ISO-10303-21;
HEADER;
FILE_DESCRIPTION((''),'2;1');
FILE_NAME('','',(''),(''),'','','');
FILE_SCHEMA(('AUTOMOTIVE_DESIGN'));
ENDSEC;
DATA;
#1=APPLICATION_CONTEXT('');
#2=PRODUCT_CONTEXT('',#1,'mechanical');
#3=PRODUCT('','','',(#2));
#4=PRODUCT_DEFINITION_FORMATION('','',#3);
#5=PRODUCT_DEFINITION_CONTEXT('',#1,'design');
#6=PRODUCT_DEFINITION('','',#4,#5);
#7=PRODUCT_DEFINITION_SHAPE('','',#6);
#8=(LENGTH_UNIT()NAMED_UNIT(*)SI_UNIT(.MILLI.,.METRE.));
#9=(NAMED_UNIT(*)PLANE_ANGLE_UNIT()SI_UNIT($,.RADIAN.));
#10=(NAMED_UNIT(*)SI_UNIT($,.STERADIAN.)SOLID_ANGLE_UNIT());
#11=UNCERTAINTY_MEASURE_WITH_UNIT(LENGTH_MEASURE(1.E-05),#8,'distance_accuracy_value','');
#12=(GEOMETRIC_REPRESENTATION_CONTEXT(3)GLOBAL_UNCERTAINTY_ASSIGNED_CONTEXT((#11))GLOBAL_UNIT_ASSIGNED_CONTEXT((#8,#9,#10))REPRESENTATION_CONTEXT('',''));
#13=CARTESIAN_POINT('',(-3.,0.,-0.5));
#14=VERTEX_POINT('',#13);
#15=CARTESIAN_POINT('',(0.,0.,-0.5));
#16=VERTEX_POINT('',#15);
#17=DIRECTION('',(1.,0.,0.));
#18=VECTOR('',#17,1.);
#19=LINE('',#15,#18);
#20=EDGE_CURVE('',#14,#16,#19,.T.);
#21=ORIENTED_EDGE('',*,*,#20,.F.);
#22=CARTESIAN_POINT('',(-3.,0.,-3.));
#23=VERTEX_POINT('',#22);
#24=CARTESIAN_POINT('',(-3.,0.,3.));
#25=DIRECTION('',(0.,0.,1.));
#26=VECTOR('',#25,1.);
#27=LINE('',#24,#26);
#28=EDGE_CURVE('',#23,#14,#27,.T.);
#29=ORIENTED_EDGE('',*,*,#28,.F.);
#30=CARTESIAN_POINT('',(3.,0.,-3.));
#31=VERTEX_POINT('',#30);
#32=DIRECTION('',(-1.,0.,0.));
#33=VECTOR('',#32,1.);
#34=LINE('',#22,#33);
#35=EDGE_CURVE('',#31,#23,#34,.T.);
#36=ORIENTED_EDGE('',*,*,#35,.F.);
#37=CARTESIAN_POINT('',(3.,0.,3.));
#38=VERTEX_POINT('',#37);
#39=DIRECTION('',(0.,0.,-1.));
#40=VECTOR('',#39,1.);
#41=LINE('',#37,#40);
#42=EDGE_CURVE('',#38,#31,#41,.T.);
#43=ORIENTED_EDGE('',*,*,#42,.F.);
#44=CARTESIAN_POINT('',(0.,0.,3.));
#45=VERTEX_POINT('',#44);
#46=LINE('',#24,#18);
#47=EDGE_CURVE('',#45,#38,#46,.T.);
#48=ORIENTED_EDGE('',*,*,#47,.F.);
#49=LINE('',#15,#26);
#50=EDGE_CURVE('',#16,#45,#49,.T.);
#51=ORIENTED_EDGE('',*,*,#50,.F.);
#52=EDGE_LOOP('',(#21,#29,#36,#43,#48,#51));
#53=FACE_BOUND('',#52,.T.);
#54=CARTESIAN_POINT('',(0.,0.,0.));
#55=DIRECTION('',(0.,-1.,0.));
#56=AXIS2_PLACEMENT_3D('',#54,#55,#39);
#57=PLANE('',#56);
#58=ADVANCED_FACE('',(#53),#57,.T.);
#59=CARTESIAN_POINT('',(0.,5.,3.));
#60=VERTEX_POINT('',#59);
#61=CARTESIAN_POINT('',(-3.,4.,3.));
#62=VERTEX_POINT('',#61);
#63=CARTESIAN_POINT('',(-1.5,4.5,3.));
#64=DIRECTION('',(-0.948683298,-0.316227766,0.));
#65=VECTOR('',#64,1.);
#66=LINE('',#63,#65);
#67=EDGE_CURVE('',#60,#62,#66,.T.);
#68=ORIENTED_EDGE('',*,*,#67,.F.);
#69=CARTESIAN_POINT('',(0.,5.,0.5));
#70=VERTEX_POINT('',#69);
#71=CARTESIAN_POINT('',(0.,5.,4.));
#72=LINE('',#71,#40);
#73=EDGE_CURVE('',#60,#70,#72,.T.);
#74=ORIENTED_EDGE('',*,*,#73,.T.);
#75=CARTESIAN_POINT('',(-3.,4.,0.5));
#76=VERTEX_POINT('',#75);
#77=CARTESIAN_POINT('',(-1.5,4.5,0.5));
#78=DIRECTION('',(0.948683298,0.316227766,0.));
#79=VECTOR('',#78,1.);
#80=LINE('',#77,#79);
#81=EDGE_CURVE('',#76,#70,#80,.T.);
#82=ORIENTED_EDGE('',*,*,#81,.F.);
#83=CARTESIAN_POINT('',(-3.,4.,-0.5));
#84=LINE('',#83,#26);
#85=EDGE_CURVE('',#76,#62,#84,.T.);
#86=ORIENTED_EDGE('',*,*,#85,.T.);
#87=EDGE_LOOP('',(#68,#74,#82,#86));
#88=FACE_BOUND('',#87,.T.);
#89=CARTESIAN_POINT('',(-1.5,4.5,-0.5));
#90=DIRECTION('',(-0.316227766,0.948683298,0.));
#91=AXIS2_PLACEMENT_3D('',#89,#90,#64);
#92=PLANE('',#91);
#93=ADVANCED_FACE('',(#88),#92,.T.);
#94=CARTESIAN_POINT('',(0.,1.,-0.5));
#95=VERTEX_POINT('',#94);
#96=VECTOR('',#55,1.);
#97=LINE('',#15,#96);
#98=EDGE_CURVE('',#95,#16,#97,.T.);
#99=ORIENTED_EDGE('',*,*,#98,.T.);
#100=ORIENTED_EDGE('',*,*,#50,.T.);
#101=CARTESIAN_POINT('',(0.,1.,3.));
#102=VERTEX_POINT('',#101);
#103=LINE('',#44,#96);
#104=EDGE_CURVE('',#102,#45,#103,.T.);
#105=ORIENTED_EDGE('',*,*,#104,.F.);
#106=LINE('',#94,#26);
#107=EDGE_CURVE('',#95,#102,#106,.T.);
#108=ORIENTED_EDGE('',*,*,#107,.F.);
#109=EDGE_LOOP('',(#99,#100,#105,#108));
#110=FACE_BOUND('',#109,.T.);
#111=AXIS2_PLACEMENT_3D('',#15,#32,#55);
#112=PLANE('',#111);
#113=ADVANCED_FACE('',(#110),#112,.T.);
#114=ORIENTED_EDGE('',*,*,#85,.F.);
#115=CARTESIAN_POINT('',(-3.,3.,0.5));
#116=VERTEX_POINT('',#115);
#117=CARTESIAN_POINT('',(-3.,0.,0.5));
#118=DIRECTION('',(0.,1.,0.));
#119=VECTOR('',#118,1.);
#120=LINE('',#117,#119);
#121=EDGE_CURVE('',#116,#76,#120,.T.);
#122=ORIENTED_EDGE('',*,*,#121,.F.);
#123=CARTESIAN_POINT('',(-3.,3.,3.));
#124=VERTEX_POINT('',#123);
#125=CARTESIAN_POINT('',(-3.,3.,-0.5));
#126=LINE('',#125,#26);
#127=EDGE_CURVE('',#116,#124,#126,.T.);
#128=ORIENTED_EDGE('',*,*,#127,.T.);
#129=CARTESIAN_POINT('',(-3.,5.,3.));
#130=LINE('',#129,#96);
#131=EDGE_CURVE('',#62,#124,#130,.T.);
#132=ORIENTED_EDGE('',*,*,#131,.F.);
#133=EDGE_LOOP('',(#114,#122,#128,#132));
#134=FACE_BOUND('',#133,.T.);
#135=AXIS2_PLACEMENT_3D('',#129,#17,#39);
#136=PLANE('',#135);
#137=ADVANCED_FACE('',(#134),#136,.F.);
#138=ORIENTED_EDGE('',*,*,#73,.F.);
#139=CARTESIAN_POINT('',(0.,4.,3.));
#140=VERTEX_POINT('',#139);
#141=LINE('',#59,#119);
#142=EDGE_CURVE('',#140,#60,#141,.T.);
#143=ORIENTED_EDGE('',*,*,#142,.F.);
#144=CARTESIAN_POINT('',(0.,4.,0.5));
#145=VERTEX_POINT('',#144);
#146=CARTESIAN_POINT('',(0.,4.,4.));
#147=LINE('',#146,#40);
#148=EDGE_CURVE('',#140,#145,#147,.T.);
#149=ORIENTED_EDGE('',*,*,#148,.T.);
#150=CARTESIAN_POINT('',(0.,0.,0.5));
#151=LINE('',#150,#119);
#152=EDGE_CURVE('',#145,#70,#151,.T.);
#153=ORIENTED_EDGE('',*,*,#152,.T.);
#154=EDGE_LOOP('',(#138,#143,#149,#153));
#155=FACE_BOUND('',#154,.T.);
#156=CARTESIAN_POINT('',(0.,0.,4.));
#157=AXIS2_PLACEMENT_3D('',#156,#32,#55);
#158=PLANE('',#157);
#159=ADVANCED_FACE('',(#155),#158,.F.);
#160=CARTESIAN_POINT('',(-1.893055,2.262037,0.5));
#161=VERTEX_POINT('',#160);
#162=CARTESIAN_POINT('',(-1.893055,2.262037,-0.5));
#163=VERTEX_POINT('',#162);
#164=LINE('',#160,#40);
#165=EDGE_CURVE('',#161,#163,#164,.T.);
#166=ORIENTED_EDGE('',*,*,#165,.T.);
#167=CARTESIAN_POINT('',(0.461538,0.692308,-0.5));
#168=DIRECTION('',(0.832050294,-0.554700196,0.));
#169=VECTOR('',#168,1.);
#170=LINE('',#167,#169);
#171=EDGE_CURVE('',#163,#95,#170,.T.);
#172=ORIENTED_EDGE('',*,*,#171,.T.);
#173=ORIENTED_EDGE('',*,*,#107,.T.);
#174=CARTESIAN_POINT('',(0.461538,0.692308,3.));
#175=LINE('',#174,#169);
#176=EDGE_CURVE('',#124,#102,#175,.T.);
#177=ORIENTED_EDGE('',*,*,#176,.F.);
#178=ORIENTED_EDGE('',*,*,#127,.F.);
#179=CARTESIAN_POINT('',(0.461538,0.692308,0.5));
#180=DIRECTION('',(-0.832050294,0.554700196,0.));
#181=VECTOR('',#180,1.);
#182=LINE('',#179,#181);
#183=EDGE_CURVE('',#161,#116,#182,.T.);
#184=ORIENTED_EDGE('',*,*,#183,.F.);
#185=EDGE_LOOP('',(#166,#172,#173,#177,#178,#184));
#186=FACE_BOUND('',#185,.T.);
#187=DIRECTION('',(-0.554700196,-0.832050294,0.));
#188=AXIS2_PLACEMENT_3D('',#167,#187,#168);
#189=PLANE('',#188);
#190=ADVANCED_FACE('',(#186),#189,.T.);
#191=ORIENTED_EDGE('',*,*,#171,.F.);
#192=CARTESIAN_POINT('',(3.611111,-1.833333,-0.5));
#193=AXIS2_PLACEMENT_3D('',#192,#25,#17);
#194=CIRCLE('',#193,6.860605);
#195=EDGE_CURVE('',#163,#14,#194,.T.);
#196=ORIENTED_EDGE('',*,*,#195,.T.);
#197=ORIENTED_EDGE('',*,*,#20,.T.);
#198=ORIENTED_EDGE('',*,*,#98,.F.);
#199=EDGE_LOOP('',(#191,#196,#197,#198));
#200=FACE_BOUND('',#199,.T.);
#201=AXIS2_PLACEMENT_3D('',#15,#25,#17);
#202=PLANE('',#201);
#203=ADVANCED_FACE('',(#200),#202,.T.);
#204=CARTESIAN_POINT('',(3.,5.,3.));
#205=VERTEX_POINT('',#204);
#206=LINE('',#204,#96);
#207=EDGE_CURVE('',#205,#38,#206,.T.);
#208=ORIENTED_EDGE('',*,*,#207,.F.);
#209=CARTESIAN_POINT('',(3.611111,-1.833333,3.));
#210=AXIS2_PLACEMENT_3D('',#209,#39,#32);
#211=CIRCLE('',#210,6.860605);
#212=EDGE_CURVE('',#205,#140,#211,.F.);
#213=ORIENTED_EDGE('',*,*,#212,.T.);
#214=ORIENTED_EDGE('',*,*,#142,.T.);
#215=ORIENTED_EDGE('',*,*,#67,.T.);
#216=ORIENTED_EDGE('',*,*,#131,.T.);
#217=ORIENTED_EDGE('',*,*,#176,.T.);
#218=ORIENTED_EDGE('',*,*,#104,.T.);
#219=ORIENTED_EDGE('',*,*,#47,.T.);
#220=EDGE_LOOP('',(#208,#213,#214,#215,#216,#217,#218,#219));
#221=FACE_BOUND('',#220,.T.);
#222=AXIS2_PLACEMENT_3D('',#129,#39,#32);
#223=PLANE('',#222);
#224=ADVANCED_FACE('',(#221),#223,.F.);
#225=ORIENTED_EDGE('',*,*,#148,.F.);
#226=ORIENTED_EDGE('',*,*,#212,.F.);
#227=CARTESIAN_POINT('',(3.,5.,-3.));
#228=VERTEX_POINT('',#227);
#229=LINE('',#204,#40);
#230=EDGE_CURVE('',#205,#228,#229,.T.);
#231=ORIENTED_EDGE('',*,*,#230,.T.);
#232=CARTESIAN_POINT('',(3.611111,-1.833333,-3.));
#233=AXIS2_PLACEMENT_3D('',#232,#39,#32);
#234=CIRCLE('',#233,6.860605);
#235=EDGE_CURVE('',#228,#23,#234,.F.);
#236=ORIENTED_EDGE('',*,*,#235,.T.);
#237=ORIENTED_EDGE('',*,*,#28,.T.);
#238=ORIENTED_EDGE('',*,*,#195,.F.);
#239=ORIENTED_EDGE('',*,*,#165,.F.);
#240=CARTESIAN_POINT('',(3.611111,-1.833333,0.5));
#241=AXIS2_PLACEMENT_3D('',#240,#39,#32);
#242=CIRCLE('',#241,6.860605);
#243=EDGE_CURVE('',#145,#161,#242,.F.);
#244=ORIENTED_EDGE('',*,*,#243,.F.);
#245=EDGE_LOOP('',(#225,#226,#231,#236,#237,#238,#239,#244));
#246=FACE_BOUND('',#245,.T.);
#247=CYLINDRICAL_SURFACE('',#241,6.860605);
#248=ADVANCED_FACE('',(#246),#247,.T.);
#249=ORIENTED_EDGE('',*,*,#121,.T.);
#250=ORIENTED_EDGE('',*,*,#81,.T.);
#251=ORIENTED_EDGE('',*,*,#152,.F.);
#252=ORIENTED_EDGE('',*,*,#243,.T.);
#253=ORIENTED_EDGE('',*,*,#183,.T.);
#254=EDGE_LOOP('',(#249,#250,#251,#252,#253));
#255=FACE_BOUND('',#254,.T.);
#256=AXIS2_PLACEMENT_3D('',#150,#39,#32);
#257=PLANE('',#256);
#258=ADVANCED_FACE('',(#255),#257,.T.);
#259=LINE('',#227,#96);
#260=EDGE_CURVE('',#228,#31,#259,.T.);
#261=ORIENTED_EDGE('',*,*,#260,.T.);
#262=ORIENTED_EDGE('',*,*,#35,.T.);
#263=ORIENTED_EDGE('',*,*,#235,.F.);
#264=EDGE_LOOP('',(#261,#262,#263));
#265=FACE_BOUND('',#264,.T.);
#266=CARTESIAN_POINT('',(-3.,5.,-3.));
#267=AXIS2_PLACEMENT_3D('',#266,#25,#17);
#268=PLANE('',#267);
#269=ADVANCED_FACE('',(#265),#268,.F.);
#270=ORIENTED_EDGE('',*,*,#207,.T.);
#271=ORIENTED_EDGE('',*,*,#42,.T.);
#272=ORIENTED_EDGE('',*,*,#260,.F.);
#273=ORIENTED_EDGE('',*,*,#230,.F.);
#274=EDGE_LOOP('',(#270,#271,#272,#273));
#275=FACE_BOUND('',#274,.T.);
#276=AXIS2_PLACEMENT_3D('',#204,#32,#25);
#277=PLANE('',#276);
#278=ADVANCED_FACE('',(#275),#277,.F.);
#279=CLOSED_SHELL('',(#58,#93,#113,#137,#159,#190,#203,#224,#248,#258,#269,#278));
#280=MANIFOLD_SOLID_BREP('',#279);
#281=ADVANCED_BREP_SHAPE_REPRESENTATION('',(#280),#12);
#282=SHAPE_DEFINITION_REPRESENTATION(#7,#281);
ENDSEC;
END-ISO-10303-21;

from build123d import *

# Parameters (mm, degrees)
SKETCH1_W           = 6
SKETCH1_H           = 6
BOSS_EXTRUDE1_DEPTH = 5
CUT_EXTRUDE12_DEPTH = 3.5
CUT_EXTRUDE13_DEPTH = 3.5
CUT_EXTRUDE14_DEPTH = 3.5


with BuildPart() as part:
    # Sketch1 → Boss-Extrude1 (new body)
    with BuildSketch(Plane(origin=(0, 0, 0), x_dir=(1, 0, 0), z_dir=(0, 1, 0))):
        Rectangle(SKETCH1_W, SKETCH1_H)
    extrude(amount=BOSS_EXTRUDE1_DEPTH)

    # Sketch13 → Cut-Extrude12 (cut)
    with BuildSketch(Plane(origin=(0, 0, -3), x_dir=(-1, 0, 0), z_dir=(0, 0, -1))):
        with BuildLine():
            ThreePointArc((-3, 5), (0.780941195, 3.437129434), (3, 0))
            Line((3, 0), (3, 5))
            Line((3, 5), (-3, 5))
        make_face()
    extrude(amount=-CUT_EXTRUDE12_DEPTH, mode=Mode.SUBTRACT)

    # Sketch14 → Cut-Extrude13 (cut)
    with BuildSketch(Plane(origin=(0, 0, 0.5), x_dir=(-1, 0, 0), z_dir=(0, 0, -1))):
        with BuildLine():
            ThreePointArc((-3, 5), (-1.441597312, 4.675208063), (0, 4))
            Line((0, 4), (0, 5))
            Line((0, 5), (-3, 5))
        make_face()
    extrude(amount=-CUT_EXTRUDE13_DEPTH, mode=Mode.SUBTRACT)

    # Sketch15 → Cut-Extrude14 (cut)
    with BuildSketch(Plane.XY.offset(3)):
        Polygon((-3, 4), (0, 5), (-3, 5), align=None)
        Polygon((0, 1), (-3, 3), (-3, 0), (0, 0), align=None)
    extrude(amount=-CUT_EXTRUDE14_DEPTH, mode=Mode.SUBTRACT)


solid = part.part
